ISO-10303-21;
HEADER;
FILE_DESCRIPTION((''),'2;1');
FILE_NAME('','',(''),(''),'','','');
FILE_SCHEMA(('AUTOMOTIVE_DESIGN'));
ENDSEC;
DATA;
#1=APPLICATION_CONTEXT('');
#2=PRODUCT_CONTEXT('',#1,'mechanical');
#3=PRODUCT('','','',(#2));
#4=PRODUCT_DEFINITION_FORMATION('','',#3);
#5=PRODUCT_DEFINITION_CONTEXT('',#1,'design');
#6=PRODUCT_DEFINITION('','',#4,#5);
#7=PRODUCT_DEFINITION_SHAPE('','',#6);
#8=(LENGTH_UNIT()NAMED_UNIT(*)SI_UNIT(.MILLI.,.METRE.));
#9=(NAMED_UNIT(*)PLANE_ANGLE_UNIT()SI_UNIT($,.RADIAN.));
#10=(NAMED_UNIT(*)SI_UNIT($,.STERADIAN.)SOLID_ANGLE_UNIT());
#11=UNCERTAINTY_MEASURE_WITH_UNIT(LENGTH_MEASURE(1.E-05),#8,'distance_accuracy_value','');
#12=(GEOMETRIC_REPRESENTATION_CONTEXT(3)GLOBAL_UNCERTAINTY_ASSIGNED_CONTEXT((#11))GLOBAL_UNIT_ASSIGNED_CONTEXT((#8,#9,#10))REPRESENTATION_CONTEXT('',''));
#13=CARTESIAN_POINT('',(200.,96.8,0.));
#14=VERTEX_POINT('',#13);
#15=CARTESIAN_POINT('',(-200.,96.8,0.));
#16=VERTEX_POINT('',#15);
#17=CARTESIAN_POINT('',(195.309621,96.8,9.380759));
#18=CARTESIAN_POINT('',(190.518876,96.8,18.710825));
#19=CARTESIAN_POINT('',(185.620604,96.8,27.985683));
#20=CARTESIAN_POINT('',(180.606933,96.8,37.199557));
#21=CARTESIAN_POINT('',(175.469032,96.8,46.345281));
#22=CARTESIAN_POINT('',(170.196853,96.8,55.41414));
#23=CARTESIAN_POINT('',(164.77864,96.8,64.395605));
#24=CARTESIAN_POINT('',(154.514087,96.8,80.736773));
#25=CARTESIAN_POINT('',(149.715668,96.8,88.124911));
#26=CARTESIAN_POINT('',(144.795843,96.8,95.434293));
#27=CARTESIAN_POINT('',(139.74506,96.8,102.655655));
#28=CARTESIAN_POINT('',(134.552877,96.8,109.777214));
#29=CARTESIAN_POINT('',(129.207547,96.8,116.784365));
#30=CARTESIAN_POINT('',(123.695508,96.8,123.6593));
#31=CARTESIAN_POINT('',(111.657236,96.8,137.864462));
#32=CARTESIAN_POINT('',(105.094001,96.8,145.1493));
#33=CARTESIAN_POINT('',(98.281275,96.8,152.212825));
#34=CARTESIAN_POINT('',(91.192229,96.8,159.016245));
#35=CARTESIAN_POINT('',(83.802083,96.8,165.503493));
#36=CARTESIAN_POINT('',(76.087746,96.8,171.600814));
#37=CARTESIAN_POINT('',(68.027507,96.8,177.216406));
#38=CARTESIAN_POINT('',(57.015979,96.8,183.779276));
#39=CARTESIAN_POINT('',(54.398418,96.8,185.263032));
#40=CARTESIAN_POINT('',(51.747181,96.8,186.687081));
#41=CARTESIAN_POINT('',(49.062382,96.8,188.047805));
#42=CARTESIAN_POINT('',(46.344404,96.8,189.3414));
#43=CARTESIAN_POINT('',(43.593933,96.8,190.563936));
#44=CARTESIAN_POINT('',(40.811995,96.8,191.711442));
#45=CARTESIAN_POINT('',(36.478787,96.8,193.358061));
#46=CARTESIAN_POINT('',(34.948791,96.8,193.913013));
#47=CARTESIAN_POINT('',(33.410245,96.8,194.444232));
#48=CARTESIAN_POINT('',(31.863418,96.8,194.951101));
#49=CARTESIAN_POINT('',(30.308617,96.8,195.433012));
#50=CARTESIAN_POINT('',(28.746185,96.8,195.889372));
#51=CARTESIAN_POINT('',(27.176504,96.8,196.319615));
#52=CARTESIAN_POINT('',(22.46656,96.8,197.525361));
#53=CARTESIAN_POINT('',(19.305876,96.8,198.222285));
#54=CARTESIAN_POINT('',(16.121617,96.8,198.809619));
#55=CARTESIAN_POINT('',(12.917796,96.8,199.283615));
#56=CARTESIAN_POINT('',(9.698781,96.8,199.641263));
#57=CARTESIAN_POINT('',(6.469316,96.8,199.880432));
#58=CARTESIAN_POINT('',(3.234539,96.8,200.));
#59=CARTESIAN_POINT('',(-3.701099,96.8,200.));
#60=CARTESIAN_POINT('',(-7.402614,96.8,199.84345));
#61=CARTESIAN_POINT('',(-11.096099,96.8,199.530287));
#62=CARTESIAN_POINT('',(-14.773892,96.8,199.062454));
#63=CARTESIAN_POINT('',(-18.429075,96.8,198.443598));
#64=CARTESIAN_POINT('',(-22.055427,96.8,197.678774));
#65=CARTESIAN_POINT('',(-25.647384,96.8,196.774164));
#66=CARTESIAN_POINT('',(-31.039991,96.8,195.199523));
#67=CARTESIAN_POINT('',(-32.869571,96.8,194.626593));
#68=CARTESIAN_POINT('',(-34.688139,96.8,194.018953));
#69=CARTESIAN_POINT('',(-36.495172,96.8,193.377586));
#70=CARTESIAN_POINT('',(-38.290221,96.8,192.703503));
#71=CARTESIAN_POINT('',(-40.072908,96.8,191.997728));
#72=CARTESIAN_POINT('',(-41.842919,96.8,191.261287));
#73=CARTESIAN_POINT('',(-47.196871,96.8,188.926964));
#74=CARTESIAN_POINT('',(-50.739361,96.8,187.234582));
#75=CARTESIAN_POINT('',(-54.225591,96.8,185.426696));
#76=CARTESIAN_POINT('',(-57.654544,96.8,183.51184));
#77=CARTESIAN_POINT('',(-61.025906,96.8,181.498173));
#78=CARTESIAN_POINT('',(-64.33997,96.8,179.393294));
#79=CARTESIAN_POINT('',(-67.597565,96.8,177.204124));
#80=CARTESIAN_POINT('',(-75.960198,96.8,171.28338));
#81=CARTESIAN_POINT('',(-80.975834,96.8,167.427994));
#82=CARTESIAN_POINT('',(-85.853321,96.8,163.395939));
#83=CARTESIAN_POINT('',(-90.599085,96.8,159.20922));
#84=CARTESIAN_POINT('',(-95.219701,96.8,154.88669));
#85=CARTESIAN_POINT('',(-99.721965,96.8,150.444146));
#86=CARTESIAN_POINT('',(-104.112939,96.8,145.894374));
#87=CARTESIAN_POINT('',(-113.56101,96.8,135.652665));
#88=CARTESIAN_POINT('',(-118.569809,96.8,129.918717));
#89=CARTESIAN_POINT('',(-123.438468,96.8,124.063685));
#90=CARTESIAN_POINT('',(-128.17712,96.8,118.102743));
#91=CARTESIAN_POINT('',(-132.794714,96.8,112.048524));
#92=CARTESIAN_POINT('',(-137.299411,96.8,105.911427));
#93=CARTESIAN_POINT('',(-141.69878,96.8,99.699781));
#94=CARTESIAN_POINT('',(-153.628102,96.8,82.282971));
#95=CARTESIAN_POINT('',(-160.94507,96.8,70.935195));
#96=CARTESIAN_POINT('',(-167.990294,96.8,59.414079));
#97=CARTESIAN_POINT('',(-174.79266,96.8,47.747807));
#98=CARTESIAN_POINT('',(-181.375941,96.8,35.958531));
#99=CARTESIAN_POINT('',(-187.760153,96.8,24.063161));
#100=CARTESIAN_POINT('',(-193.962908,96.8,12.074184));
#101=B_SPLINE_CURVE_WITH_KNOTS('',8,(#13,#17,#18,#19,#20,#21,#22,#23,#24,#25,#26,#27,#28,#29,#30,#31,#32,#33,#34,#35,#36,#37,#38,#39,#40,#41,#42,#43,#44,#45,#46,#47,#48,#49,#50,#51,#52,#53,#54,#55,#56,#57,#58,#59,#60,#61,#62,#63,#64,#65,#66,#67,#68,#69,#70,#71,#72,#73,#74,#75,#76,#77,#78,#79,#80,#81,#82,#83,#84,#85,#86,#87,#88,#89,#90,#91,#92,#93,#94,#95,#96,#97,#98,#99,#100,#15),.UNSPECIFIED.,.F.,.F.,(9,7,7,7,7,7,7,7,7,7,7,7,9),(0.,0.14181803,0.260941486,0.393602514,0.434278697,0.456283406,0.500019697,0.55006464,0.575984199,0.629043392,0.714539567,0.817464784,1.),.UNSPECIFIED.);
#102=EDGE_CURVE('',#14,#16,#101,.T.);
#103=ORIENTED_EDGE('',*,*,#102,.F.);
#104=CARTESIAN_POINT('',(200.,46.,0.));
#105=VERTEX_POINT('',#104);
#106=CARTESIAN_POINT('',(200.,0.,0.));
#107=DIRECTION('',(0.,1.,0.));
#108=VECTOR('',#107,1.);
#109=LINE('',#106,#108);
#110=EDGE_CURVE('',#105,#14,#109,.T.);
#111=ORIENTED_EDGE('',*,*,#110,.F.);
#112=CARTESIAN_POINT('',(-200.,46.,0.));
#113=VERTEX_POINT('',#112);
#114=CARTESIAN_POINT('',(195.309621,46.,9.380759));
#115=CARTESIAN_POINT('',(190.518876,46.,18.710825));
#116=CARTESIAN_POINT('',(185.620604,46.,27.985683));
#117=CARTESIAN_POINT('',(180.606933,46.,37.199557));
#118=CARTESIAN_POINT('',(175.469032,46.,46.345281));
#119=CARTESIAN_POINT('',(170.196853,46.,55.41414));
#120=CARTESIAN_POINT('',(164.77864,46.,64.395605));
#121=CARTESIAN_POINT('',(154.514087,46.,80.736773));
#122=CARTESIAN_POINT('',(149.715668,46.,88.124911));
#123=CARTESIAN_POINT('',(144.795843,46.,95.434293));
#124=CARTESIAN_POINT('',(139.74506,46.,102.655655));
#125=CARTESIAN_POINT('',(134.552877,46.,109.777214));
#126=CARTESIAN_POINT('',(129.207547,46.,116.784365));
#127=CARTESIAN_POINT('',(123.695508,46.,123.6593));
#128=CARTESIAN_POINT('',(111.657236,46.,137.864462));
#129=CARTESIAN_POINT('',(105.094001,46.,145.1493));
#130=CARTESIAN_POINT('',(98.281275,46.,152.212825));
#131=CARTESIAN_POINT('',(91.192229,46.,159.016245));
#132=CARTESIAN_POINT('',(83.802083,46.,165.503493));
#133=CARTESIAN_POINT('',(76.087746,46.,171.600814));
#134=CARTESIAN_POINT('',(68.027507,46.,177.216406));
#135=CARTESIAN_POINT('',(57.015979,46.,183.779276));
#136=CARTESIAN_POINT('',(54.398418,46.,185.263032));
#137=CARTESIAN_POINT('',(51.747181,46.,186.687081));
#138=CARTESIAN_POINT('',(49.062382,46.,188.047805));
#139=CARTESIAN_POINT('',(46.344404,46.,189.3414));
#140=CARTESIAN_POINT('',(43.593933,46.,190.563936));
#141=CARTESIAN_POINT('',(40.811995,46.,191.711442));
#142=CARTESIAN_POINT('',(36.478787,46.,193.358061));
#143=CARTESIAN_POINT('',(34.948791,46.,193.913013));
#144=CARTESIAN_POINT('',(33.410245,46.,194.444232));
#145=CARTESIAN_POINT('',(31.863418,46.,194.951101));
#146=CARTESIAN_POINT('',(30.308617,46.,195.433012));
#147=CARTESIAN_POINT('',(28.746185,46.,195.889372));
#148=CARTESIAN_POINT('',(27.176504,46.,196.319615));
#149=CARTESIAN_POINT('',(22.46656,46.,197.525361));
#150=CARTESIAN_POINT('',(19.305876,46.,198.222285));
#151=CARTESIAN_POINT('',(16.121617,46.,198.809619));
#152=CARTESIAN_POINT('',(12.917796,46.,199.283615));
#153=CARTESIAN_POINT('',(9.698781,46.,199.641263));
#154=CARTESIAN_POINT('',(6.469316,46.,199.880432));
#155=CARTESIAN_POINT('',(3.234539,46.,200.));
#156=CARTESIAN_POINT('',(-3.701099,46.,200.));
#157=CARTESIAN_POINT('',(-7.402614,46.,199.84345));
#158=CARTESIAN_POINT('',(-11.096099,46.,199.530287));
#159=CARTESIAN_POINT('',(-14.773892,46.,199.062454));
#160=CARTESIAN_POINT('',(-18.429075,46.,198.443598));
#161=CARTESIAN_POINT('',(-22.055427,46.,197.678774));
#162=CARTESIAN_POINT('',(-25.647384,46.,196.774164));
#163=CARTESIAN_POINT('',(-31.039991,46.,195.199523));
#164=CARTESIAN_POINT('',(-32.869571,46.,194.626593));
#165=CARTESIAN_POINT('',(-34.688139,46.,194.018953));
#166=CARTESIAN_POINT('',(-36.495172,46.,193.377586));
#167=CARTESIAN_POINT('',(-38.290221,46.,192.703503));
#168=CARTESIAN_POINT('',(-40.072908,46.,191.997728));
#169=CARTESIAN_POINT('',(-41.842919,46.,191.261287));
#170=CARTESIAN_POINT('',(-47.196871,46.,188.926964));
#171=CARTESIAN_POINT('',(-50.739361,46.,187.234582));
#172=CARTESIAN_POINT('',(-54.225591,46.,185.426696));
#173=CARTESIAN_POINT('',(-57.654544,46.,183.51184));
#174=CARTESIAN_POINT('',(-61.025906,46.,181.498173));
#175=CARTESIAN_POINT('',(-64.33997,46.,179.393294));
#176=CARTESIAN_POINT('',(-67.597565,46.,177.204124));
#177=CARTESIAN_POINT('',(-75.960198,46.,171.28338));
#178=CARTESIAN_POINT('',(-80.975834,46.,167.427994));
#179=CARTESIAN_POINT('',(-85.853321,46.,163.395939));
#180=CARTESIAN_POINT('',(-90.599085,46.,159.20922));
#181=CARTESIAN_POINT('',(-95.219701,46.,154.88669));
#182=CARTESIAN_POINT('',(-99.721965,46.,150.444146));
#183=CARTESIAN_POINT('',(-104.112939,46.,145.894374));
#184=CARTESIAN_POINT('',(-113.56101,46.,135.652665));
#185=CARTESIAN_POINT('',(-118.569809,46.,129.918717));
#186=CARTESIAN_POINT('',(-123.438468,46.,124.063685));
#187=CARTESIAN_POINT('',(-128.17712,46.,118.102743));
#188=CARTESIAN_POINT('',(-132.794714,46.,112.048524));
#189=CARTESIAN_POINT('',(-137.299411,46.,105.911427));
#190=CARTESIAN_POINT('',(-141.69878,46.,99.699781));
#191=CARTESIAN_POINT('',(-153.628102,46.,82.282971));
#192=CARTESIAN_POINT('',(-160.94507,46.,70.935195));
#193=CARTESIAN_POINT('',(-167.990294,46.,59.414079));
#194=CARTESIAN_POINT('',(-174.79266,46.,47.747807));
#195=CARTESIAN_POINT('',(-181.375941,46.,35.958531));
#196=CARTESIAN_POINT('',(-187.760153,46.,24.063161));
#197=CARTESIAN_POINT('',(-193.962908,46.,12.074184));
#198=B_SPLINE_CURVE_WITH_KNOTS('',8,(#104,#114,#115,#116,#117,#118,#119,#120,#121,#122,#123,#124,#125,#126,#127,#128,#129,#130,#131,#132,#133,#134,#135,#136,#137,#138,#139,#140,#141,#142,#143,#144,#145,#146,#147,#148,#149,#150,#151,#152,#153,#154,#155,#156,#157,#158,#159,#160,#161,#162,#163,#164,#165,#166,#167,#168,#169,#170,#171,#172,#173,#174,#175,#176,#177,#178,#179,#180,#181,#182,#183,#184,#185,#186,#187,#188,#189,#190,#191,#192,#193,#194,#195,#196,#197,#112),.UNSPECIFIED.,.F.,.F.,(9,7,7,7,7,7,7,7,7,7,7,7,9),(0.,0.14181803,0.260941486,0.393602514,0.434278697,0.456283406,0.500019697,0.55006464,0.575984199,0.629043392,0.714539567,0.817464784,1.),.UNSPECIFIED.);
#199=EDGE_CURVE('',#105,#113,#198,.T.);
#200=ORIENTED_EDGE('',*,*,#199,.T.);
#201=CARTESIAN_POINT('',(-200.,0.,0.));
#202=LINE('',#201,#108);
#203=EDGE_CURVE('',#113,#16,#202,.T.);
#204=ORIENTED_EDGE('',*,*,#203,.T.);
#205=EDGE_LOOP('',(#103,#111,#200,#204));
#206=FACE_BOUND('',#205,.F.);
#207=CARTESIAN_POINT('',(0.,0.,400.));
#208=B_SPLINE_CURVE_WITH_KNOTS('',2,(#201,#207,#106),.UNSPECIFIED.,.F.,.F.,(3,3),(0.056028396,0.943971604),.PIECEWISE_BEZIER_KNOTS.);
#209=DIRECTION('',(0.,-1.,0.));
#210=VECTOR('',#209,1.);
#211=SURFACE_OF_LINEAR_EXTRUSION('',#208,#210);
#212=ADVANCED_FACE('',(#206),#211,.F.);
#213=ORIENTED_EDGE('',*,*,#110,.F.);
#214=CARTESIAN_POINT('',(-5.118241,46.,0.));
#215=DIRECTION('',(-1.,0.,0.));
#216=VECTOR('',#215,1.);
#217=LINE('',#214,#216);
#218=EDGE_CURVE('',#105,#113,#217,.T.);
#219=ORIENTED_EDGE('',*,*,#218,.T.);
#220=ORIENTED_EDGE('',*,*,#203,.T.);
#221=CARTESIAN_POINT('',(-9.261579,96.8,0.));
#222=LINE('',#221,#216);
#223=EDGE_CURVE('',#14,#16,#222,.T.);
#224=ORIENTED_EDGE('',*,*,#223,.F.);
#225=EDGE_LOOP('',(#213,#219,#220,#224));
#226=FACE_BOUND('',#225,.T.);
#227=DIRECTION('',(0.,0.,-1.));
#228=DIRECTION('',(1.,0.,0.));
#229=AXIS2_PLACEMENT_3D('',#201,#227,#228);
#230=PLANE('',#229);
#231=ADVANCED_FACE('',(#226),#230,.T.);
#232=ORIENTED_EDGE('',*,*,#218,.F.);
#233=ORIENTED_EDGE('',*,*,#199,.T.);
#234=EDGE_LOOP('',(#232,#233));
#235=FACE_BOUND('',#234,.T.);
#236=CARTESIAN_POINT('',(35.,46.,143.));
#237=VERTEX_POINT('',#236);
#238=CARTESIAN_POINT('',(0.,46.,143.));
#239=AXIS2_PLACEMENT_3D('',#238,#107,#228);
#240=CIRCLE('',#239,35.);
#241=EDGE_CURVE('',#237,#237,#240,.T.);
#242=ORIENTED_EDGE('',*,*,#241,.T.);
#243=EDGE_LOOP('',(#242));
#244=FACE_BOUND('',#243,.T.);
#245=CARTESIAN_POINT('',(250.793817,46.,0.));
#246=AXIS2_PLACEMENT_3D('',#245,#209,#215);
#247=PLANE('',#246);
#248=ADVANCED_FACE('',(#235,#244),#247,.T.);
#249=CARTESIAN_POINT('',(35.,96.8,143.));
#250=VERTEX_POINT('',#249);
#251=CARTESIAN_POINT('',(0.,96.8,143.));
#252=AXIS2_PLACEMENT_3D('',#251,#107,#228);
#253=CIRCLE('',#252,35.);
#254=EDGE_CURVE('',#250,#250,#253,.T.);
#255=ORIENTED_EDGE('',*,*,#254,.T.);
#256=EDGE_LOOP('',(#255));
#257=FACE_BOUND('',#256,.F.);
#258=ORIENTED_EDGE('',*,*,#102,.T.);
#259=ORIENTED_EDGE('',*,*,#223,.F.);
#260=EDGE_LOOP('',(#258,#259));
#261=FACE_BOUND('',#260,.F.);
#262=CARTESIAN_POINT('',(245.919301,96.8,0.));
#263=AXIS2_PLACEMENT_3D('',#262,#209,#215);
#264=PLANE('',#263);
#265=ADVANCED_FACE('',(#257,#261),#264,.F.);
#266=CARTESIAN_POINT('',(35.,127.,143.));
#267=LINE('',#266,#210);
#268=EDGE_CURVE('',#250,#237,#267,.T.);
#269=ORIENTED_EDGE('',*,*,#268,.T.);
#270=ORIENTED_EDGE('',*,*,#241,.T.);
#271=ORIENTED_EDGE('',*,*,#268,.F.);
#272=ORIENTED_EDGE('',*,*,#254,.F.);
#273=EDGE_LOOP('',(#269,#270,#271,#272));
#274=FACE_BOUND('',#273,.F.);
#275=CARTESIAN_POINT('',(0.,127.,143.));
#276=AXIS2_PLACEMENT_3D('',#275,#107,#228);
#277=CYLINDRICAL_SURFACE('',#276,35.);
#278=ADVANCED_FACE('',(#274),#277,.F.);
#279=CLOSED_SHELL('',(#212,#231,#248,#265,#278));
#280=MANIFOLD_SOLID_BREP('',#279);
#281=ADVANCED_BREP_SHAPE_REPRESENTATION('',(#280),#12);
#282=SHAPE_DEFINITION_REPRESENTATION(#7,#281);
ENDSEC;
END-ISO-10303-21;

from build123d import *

# Parameters (mm, degrees)
BOSS_EXTRUDE1_DEPTH     = 300
SKETCH3_R               = 15.5
CUT_EXTRUDE1_DEPTH      = 23
CUT_EXTRUDE1_DEPTH_BACK = 23
SKETCH4_R               = 35
CUT_EXTRUDE3_DEPTH      = 300
SKETCH5_W               = 510.361760703
SKETCH5_H               = 258.349315351
SKETCH5_W_2             = 511.824115319
SKETCH5_H_2             = 70.193021529
CUT_EXTRUDE4_DEPTH      = 201.0000001


with BuildPart() as part:
    # Sketch1 → Boss-Extrude1 (new body)
    with BuildSketch(Plane(origin=(0, 0, 0), x_dir=(1, 0, 0), z_dir=(0, 1, 0))):
        with BuildLine():
            Line((-200, 1e-09), (200, 1e-09))
            add(Edge.make_bspline(
                [(-200, 1e-09), (0, -400.000000001), (200, 1e-09)],
                knots=[0.056028396, 0.056028396, 0.056028396, 0.943971604, 0.943971604, 0.943971604], degree=2))
        make_face()
    extrude(amount=BOSS_EXTRUDE1_DEPTH)

    # Sketch3 → Cut-Extrude1 (cut, two sides)
    with BuildSketch(Plane(origin=(0, 150, 0), x_dir=(1, 0, 0), z_dir=(0, 1, 0))) as cut_extrude1_sk:
        with Locations((0, -142.999999999)):
            Circle(SKETCH3_R)
    extrude(amount=CUT_EXTRUDE1_DEPTH, mode=Mode.SUBTRACT)
    extrude(cut_extrude1_sk.sketch, amount=-CUT_EXTRUDE1_DEPTH_BACK, mode=Mode.SUBTRACT)

    # Sketch4 → Cut-Extrude3 (cut)
    with BuildSketch(Plane(origin=(0, 173, 0), x_dir=(1, 0, 0), z_dir=(0, 1, 0))):
        with Locations((0, -142.999999999)):
            Circle(SKETCH4_R)
    cut_extrude3 = extrude(amount=CUT_EXTRUDE3_DEPTH, mode=Mode.SUBTRACT)

    # Mirror1: Cut-Extrude3 across plane
    add(cut_extrude3.mirror(Plane.ZX.offset(150)), mode=Mode.SUBTRACT)

    # Sketch5 → Cut-Extrude4 (cut, through all)
    with BuildSketch(Plane(origin=(0, 0, 0), x_dir=(-1, 0, 0), z_dir=(0, 0, -1))):
        with Locations((9.26157923, 225.974657676)):
            Rectangle(SKETCH5_W, SKETCH5_H)
        with Locations((5.118241153, 10.903489235)):
            Rectangle(SKETCH5_W_2, SKETCH5_H_2)
    extrude(amount=-CUT_EXTRUDE4_DEPTH, mode=Mode.SUBTRACT)


solid = part.part
